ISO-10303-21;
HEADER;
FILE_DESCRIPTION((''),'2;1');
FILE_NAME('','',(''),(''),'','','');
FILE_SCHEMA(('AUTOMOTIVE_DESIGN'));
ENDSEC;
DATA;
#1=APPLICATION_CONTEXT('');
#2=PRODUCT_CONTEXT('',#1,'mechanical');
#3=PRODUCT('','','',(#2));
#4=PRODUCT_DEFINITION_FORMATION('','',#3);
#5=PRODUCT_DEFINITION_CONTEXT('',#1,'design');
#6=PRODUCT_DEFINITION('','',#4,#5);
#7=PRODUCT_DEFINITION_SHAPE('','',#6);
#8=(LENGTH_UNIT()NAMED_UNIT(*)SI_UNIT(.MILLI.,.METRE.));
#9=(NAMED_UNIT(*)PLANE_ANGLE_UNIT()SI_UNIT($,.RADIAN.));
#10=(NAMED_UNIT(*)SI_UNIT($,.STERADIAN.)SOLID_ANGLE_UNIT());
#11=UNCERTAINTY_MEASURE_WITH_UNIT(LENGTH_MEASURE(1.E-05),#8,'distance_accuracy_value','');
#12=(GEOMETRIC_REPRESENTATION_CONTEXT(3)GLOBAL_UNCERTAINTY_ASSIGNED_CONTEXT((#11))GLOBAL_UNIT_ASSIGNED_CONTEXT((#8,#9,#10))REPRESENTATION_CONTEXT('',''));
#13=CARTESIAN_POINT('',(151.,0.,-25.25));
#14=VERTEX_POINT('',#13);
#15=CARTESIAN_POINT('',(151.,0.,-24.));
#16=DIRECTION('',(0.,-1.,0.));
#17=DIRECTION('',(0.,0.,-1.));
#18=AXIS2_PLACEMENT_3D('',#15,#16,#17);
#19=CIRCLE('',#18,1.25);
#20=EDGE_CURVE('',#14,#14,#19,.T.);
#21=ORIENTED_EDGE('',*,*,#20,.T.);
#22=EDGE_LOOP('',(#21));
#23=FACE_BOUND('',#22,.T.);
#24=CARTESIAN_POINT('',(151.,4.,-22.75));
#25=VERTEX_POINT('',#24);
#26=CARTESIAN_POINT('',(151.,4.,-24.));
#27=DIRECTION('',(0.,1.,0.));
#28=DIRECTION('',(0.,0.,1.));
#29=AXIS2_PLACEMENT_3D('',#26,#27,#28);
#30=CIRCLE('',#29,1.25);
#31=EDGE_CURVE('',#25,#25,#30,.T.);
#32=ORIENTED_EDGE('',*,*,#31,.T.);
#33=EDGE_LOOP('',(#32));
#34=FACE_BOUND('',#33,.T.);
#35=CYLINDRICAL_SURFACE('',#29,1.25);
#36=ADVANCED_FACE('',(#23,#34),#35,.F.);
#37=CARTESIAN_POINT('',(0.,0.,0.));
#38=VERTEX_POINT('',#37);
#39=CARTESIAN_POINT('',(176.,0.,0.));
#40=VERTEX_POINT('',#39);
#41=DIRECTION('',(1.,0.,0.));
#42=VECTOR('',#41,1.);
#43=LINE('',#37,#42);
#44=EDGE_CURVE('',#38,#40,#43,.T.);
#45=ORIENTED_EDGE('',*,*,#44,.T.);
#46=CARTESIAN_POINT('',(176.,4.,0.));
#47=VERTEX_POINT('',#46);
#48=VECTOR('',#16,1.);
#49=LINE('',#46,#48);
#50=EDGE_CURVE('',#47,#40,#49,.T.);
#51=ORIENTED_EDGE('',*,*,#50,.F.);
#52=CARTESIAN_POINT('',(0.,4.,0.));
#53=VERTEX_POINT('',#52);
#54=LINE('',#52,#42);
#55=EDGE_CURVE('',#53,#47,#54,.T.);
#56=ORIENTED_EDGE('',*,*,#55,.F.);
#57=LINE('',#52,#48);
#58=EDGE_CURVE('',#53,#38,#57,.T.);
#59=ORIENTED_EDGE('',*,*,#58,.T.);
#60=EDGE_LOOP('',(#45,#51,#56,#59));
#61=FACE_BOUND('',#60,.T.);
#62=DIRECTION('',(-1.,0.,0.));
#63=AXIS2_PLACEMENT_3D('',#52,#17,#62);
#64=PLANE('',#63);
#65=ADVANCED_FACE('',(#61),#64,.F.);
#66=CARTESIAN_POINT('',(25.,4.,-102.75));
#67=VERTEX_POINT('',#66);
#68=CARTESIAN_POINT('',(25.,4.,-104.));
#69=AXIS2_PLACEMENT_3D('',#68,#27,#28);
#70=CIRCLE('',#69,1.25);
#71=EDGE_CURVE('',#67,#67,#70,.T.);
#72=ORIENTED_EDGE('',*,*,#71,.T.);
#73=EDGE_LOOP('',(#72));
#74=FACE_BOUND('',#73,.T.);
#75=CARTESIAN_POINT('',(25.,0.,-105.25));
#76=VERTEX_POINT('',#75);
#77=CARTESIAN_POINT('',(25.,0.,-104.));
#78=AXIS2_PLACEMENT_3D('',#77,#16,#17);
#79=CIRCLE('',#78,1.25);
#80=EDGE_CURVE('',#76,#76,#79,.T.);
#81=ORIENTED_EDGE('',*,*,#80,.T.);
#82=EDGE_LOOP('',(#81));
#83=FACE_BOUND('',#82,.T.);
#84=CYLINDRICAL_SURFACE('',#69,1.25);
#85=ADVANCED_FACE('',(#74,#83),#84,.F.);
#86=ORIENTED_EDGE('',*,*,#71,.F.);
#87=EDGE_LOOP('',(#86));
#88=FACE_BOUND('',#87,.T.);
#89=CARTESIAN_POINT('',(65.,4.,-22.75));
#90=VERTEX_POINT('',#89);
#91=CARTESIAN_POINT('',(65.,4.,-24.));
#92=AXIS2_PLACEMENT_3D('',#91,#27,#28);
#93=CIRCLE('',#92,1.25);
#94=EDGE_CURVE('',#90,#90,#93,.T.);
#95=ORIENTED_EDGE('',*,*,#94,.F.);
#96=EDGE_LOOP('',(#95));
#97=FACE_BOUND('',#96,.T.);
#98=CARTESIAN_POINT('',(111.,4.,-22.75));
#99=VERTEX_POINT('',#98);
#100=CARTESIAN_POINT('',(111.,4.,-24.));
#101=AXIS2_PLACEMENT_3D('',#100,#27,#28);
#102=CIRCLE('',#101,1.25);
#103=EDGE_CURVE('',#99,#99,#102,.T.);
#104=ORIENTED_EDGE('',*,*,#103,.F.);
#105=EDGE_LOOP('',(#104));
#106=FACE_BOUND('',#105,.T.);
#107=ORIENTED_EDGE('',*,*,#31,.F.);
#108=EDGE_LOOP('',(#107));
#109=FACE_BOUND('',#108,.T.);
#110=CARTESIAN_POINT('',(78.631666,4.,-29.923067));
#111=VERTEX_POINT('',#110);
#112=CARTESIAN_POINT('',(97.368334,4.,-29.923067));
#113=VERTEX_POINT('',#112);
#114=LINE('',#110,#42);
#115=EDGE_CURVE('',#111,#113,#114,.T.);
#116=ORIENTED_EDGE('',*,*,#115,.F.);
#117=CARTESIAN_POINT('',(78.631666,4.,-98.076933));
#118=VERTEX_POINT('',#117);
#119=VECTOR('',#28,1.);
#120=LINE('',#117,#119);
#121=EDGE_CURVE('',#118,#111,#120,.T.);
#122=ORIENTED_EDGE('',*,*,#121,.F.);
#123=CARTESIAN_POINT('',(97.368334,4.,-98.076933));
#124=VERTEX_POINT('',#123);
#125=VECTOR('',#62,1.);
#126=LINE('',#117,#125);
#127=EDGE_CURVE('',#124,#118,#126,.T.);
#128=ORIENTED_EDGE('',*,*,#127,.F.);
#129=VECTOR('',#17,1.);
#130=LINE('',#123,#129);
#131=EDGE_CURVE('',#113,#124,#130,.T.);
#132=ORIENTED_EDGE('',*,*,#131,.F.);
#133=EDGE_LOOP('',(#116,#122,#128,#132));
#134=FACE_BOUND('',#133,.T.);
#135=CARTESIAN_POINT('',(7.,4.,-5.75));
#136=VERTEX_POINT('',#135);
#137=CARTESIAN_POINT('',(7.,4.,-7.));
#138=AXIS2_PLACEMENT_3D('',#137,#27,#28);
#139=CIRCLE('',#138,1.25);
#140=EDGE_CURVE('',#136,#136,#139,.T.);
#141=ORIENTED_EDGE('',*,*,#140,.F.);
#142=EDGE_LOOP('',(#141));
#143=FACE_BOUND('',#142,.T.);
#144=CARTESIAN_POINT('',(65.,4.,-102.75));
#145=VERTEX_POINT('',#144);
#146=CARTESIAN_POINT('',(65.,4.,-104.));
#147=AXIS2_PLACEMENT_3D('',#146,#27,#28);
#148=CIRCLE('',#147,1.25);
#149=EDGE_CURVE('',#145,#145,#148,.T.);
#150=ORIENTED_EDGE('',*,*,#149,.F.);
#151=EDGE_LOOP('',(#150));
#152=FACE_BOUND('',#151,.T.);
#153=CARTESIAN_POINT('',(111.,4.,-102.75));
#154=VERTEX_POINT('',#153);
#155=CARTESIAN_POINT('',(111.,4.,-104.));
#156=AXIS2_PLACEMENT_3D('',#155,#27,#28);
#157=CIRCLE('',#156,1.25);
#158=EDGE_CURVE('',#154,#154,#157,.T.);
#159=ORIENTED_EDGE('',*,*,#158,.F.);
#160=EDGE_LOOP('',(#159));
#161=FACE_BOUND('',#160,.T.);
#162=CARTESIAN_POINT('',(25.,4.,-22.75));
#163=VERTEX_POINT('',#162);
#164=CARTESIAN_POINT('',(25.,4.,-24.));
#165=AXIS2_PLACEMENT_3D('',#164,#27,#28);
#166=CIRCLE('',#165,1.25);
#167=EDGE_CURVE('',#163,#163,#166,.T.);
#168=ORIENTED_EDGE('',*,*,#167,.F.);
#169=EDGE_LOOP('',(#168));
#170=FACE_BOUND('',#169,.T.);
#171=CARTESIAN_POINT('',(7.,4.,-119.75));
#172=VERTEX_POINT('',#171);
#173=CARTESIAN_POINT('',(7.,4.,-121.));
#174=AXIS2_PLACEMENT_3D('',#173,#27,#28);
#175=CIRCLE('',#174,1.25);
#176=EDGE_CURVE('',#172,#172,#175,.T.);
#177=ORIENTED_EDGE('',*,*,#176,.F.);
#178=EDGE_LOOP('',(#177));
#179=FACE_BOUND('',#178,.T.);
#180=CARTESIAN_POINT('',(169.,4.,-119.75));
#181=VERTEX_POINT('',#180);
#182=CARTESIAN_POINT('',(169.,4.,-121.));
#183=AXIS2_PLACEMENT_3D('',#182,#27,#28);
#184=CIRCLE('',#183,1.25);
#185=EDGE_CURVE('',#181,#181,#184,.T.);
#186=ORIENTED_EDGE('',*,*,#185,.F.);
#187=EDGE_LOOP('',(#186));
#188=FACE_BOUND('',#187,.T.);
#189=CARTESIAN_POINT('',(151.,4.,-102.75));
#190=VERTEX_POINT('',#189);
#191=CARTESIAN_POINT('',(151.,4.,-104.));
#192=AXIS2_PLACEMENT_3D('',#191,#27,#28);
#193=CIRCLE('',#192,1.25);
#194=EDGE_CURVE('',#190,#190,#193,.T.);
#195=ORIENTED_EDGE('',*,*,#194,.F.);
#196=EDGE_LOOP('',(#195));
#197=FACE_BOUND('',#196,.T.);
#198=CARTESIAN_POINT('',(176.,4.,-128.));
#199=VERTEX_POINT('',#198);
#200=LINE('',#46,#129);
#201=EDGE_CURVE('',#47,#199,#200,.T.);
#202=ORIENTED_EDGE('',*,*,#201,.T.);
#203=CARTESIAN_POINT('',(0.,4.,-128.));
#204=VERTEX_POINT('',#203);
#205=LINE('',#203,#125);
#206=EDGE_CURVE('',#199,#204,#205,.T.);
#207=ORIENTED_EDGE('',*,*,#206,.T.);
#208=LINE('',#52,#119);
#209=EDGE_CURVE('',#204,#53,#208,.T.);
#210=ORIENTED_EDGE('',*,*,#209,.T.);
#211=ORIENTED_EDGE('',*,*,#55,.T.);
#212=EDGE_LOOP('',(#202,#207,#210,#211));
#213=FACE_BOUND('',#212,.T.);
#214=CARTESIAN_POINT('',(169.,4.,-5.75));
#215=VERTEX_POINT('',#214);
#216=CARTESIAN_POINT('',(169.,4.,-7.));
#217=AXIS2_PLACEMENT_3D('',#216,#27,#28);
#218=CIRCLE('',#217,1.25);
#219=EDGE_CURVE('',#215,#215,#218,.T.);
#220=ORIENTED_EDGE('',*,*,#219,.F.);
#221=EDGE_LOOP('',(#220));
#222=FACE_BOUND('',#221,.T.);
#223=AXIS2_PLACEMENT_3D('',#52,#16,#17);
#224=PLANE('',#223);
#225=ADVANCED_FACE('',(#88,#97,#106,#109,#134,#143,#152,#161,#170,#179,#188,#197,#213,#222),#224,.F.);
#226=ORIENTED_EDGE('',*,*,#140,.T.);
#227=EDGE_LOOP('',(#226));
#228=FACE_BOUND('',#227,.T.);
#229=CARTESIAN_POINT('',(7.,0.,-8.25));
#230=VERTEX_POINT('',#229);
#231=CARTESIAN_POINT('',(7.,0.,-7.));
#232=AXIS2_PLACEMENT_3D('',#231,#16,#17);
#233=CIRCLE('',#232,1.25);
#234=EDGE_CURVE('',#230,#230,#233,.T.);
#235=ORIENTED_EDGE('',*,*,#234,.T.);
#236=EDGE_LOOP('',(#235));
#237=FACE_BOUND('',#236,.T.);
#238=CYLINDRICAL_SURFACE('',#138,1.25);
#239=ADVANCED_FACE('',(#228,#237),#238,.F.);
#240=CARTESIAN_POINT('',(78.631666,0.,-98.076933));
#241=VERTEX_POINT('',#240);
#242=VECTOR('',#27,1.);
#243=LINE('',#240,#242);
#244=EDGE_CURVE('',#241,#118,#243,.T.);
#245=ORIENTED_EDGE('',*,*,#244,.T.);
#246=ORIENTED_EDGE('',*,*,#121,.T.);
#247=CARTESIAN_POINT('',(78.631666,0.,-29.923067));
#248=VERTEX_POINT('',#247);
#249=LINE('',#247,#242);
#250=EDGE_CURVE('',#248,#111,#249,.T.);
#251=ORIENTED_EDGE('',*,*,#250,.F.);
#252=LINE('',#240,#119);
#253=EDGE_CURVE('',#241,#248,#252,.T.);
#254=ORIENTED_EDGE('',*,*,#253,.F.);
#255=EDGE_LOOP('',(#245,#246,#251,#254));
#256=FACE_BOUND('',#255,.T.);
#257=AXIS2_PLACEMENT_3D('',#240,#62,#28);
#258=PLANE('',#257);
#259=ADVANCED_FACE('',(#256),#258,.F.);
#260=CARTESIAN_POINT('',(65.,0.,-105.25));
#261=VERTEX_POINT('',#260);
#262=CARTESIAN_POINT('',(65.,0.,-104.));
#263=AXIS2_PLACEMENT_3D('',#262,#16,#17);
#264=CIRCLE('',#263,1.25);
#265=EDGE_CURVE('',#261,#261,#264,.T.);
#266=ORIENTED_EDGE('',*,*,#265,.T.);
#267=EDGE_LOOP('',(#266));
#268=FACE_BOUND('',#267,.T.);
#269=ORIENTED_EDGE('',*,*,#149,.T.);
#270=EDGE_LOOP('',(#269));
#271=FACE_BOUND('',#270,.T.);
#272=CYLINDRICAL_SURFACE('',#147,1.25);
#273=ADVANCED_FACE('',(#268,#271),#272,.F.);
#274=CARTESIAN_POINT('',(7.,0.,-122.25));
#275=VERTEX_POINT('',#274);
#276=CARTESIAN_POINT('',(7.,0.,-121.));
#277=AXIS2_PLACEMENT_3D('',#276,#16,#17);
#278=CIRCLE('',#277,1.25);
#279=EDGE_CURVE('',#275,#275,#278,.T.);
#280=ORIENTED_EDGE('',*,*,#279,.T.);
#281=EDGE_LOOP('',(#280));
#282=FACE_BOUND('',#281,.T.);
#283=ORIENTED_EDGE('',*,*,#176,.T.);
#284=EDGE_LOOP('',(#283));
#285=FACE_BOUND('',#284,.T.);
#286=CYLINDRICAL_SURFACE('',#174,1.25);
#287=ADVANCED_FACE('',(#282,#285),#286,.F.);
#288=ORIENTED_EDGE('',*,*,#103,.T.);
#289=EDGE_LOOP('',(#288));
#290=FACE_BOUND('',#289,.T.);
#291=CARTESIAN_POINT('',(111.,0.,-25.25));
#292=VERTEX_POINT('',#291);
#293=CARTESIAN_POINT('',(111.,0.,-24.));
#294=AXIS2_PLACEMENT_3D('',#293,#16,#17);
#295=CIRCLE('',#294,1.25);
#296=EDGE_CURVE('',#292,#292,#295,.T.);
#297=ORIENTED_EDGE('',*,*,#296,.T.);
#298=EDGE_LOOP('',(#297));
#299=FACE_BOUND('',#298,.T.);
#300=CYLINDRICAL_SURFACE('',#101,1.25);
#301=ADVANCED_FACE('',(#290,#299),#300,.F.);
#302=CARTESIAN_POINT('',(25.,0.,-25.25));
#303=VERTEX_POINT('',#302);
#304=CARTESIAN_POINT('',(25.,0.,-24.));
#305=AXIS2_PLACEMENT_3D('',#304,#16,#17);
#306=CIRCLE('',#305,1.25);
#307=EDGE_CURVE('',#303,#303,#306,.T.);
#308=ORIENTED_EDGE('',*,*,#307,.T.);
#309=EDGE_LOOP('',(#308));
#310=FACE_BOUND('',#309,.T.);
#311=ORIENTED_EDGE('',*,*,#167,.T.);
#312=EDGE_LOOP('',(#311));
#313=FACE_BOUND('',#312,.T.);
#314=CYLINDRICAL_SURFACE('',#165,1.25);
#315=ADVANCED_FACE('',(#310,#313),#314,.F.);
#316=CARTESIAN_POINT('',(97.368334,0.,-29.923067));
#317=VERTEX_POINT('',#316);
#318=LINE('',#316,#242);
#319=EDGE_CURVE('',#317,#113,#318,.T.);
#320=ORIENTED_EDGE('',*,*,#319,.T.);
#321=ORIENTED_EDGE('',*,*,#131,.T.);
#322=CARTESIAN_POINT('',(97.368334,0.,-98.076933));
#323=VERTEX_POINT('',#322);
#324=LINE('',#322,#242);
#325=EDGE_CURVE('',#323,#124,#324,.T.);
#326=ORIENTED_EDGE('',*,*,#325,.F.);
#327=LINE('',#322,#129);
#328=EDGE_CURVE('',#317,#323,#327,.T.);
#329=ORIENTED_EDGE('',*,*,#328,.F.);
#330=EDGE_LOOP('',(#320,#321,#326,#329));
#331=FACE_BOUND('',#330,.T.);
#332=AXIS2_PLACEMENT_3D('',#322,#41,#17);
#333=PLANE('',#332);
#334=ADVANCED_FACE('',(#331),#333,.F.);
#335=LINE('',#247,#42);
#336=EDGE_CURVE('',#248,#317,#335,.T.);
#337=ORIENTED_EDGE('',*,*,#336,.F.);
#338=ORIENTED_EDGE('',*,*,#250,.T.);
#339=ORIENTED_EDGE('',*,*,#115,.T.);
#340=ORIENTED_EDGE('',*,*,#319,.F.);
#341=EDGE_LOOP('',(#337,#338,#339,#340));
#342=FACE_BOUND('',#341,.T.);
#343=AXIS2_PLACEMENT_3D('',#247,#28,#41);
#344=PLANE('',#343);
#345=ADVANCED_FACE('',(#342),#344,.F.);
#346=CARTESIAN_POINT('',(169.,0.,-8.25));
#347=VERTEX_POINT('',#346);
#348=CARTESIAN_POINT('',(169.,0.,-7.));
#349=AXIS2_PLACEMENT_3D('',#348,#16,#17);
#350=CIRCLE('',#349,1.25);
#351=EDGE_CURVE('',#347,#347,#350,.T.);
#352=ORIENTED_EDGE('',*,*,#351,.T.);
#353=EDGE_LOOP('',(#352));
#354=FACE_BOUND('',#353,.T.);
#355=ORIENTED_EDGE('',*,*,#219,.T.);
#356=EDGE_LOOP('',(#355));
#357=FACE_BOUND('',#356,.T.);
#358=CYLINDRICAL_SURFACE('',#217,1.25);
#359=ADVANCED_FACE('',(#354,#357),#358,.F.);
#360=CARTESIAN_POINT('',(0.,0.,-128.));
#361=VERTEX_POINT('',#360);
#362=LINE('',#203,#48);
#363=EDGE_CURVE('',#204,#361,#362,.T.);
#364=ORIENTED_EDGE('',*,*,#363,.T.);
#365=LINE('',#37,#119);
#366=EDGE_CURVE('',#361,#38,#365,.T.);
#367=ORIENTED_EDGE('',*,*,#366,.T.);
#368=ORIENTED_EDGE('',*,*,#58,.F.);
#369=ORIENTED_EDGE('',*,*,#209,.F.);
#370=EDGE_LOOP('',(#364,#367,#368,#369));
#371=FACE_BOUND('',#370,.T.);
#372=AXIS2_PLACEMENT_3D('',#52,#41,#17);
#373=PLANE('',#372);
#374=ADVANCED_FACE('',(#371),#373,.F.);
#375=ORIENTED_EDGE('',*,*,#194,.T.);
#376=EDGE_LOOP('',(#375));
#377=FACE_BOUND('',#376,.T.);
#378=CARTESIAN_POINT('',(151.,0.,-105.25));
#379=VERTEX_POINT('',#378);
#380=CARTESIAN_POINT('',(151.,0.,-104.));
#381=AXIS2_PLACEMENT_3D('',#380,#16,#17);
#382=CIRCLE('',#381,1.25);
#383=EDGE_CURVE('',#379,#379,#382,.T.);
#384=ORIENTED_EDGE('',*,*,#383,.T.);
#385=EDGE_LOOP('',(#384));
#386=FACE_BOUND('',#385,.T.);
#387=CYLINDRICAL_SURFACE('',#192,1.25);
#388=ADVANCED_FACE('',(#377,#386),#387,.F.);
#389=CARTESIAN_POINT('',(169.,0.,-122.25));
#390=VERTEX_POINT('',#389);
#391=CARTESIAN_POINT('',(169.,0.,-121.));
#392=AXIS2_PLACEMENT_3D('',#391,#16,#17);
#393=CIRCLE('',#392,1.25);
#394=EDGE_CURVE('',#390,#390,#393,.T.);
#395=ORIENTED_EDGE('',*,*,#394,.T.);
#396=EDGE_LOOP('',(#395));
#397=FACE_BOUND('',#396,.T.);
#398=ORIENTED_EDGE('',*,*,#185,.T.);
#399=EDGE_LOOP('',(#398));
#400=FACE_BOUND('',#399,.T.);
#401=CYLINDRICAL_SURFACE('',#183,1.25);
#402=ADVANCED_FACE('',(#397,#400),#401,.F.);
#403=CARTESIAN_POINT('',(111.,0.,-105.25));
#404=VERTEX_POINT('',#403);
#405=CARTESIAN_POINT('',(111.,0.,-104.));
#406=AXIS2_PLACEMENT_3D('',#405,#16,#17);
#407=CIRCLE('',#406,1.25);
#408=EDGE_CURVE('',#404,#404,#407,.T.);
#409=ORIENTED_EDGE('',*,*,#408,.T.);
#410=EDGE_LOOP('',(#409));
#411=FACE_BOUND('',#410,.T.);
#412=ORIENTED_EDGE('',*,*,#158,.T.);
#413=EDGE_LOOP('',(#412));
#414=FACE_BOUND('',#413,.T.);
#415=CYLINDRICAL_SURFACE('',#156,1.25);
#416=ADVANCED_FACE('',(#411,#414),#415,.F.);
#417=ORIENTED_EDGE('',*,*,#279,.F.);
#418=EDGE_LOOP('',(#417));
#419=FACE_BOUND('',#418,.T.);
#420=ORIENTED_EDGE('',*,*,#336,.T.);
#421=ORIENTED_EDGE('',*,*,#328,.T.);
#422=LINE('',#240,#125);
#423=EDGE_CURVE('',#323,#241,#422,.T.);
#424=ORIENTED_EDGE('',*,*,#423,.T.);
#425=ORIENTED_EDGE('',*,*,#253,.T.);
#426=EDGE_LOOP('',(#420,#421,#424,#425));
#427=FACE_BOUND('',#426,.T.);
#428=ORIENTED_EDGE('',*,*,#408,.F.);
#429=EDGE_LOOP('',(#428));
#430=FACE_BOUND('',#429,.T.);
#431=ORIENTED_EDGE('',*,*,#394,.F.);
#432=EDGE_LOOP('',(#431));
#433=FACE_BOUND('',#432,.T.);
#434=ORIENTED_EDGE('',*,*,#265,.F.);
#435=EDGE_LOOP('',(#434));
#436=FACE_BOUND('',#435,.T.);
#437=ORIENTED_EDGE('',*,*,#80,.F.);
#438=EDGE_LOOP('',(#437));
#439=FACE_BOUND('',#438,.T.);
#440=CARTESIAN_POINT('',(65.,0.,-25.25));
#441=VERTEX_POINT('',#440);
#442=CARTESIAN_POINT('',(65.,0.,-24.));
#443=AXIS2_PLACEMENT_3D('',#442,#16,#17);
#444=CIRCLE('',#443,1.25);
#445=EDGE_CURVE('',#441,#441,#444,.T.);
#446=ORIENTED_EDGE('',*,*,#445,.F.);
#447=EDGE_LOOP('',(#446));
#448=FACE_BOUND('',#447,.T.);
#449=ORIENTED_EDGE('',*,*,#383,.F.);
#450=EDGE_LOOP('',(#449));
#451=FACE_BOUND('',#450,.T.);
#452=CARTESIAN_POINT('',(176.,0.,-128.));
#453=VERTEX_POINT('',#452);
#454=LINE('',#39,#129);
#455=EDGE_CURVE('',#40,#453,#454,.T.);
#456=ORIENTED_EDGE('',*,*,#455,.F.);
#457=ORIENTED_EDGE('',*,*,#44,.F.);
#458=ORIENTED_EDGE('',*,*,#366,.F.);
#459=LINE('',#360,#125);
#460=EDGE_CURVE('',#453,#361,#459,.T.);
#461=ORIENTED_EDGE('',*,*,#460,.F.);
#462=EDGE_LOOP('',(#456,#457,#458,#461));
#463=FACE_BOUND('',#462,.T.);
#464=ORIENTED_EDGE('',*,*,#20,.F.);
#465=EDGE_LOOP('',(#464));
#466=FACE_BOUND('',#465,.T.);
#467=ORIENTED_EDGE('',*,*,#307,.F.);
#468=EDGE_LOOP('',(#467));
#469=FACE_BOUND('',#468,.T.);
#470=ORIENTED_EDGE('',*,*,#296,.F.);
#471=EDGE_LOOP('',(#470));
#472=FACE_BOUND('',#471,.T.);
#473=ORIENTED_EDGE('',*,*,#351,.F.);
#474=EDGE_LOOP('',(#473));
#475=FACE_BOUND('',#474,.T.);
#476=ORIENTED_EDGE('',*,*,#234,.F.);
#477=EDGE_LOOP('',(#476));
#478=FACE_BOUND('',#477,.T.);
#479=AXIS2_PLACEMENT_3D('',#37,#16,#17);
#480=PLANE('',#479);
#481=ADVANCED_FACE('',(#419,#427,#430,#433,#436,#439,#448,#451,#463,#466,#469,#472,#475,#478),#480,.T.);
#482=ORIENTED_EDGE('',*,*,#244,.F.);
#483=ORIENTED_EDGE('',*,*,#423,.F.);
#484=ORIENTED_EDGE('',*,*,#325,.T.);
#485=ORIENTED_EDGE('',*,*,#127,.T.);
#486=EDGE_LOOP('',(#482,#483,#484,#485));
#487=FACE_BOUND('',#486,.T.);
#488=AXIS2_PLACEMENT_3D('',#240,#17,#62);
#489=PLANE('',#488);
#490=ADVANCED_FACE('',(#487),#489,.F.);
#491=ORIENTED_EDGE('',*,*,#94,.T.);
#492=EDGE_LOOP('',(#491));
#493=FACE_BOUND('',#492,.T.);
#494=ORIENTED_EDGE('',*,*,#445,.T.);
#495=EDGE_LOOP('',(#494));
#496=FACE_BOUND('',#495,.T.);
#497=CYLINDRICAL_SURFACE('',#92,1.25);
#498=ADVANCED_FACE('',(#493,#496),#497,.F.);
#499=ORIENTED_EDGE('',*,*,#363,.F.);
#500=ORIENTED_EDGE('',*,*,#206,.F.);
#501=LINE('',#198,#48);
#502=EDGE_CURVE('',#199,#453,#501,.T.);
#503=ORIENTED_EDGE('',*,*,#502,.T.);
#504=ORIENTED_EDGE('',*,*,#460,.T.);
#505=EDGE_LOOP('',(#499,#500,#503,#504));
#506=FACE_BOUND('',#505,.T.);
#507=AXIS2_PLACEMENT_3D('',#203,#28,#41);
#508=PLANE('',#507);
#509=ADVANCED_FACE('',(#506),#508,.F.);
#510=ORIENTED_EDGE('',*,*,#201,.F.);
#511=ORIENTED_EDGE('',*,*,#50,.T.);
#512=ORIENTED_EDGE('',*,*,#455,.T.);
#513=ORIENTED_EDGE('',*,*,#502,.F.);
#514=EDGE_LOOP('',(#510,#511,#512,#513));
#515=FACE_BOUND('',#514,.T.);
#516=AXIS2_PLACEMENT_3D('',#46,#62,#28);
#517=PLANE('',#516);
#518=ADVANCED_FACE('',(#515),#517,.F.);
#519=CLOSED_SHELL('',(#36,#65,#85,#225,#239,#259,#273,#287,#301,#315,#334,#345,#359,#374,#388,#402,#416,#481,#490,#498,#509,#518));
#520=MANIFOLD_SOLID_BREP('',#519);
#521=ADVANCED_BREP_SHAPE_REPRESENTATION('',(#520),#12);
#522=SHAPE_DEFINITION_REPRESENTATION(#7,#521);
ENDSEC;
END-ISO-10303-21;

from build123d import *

# Parameters (mm, degrees)
SKETCH_1_W          = 176
SKETCH_1_H          = 128
EXTRUDE_1_DEPTH     = 4
SKETCH_3_W          = 18.73666899
SKETCH_3_H          = 68.153866922
CUT_EXTRUDE_2_DEPTH = 4
HOLE_WIZARD_M3_1_D  = 2.5


with BuildPart() as part:
    # 草图1 → 凸台-拉伸1 (new body)
    with BuildSketch(Plane(origin=(0, 0, 0), x_dir=(1, 0, 0), z_dir=(0, 1, 0))):
        with Locations((88, 64)):
            Rectangle(SKETCH_1_W, SKETCH_1_H)
    extrude(amount=EXTRUDE_1_DEPTH)

    # 草图3 → 切除-拉伸2 (cut)
    with BuildSketch(Plane(origin=(0, 4, 0), x_dir=(1, 0, 0), z_dir=(0, 1, 0))):
        with Locations((88, 64)):
            Rectangle(SKETCH_3_W, SKETCH_3_H)
    extrude(amount=-CUT_EXTRUDE_2_DEPTH, mode=Mode.SUBTRACT)

    # M3 螺纹孔1 (through all)
    with Locations(Plane(origin=(0, 4, 0), x_dir=(1, 0, 0), z_dir=(0, 1, 0))):
        with Locations((7, 121), (25, 104), (65, 104), (65, 24), (25, 24), (7, 7), (169, 7), (111, 24), (151, 24), (151, 104), (111, 104), (169, 121)):
            Hole(HOLE_WIZARD_M3_1_D / 2)


solid = part.part
